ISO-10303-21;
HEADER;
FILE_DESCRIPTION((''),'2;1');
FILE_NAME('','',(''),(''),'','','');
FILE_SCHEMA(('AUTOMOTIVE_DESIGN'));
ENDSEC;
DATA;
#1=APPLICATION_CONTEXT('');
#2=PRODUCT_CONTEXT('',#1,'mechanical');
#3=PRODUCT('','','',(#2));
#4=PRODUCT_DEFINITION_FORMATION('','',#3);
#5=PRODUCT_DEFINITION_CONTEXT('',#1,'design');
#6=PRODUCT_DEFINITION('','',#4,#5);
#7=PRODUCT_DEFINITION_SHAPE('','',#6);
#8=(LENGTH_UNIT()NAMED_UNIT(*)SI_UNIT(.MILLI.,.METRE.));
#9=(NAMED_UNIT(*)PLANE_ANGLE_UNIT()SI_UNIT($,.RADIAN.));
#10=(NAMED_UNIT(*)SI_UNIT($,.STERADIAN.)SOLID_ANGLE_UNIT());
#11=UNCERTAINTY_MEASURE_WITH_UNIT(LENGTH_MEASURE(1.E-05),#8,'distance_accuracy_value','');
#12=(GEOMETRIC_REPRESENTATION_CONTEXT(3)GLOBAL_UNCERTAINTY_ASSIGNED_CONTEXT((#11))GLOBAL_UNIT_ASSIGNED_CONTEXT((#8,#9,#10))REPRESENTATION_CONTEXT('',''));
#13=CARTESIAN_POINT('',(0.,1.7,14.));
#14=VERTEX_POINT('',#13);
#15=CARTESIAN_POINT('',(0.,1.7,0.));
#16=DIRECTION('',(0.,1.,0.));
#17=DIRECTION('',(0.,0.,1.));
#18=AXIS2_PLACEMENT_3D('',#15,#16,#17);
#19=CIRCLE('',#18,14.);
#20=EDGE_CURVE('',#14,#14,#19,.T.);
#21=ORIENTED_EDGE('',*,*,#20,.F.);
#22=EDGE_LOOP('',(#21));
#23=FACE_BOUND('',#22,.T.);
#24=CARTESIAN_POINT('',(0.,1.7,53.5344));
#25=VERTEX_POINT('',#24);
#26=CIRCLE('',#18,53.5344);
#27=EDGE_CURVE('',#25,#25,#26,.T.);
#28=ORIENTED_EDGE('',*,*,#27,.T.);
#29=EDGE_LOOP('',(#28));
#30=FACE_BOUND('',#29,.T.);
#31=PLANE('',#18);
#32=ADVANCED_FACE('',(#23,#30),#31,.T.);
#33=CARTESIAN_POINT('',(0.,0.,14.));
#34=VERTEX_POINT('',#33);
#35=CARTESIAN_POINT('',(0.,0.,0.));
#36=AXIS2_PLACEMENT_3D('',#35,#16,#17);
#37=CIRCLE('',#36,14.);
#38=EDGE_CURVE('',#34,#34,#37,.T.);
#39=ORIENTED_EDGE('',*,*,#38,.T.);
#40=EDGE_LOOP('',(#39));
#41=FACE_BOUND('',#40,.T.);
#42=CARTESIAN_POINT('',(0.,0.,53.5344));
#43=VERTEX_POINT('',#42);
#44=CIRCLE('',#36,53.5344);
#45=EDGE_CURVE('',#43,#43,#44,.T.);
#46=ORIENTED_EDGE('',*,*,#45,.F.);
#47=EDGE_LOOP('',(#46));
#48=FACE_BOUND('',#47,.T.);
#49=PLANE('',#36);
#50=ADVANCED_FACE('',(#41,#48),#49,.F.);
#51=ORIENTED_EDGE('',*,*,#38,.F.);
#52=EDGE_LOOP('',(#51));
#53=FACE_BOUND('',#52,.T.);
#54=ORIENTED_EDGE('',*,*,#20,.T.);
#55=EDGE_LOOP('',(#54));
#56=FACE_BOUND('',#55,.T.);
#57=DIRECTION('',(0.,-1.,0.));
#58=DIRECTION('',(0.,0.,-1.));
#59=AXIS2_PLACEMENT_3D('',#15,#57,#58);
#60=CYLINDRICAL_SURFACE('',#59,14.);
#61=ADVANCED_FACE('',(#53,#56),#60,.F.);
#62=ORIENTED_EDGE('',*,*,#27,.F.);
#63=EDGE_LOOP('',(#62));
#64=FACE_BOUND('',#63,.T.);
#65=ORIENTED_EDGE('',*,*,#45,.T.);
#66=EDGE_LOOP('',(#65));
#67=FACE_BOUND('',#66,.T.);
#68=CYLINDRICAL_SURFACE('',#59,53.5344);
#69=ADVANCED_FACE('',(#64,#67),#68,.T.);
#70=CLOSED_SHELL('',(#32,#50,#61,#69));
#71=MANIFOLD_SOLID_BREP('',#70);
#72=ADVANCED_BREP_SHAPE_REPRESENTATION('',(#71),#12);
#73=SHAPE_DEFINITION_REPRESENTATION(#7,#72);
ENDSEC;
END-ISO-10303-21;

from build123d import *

# Parameters (mm, degrees)
SKETCH1_R           = 53.5344
SKETCH1_R_2         = 14
BOSS_EXTRUDE1_DEPTH = 1.7


with BuildPart() as part:
    # Sketch1 → Boss-Extrude1 (new body)
    with BuildSketch(Plane(origin=(0, 0, 0), x_dir=(1, 0, 0), z_dir=(0, 1, 0))):
        Circle(SKETCH1_R)
        Circle(SKETCH1_R_2, mode=Mode.SUBTRACT)
    extrude(amount=BOSS_EXTRUDE1_DEPTH)


solid = part.part
